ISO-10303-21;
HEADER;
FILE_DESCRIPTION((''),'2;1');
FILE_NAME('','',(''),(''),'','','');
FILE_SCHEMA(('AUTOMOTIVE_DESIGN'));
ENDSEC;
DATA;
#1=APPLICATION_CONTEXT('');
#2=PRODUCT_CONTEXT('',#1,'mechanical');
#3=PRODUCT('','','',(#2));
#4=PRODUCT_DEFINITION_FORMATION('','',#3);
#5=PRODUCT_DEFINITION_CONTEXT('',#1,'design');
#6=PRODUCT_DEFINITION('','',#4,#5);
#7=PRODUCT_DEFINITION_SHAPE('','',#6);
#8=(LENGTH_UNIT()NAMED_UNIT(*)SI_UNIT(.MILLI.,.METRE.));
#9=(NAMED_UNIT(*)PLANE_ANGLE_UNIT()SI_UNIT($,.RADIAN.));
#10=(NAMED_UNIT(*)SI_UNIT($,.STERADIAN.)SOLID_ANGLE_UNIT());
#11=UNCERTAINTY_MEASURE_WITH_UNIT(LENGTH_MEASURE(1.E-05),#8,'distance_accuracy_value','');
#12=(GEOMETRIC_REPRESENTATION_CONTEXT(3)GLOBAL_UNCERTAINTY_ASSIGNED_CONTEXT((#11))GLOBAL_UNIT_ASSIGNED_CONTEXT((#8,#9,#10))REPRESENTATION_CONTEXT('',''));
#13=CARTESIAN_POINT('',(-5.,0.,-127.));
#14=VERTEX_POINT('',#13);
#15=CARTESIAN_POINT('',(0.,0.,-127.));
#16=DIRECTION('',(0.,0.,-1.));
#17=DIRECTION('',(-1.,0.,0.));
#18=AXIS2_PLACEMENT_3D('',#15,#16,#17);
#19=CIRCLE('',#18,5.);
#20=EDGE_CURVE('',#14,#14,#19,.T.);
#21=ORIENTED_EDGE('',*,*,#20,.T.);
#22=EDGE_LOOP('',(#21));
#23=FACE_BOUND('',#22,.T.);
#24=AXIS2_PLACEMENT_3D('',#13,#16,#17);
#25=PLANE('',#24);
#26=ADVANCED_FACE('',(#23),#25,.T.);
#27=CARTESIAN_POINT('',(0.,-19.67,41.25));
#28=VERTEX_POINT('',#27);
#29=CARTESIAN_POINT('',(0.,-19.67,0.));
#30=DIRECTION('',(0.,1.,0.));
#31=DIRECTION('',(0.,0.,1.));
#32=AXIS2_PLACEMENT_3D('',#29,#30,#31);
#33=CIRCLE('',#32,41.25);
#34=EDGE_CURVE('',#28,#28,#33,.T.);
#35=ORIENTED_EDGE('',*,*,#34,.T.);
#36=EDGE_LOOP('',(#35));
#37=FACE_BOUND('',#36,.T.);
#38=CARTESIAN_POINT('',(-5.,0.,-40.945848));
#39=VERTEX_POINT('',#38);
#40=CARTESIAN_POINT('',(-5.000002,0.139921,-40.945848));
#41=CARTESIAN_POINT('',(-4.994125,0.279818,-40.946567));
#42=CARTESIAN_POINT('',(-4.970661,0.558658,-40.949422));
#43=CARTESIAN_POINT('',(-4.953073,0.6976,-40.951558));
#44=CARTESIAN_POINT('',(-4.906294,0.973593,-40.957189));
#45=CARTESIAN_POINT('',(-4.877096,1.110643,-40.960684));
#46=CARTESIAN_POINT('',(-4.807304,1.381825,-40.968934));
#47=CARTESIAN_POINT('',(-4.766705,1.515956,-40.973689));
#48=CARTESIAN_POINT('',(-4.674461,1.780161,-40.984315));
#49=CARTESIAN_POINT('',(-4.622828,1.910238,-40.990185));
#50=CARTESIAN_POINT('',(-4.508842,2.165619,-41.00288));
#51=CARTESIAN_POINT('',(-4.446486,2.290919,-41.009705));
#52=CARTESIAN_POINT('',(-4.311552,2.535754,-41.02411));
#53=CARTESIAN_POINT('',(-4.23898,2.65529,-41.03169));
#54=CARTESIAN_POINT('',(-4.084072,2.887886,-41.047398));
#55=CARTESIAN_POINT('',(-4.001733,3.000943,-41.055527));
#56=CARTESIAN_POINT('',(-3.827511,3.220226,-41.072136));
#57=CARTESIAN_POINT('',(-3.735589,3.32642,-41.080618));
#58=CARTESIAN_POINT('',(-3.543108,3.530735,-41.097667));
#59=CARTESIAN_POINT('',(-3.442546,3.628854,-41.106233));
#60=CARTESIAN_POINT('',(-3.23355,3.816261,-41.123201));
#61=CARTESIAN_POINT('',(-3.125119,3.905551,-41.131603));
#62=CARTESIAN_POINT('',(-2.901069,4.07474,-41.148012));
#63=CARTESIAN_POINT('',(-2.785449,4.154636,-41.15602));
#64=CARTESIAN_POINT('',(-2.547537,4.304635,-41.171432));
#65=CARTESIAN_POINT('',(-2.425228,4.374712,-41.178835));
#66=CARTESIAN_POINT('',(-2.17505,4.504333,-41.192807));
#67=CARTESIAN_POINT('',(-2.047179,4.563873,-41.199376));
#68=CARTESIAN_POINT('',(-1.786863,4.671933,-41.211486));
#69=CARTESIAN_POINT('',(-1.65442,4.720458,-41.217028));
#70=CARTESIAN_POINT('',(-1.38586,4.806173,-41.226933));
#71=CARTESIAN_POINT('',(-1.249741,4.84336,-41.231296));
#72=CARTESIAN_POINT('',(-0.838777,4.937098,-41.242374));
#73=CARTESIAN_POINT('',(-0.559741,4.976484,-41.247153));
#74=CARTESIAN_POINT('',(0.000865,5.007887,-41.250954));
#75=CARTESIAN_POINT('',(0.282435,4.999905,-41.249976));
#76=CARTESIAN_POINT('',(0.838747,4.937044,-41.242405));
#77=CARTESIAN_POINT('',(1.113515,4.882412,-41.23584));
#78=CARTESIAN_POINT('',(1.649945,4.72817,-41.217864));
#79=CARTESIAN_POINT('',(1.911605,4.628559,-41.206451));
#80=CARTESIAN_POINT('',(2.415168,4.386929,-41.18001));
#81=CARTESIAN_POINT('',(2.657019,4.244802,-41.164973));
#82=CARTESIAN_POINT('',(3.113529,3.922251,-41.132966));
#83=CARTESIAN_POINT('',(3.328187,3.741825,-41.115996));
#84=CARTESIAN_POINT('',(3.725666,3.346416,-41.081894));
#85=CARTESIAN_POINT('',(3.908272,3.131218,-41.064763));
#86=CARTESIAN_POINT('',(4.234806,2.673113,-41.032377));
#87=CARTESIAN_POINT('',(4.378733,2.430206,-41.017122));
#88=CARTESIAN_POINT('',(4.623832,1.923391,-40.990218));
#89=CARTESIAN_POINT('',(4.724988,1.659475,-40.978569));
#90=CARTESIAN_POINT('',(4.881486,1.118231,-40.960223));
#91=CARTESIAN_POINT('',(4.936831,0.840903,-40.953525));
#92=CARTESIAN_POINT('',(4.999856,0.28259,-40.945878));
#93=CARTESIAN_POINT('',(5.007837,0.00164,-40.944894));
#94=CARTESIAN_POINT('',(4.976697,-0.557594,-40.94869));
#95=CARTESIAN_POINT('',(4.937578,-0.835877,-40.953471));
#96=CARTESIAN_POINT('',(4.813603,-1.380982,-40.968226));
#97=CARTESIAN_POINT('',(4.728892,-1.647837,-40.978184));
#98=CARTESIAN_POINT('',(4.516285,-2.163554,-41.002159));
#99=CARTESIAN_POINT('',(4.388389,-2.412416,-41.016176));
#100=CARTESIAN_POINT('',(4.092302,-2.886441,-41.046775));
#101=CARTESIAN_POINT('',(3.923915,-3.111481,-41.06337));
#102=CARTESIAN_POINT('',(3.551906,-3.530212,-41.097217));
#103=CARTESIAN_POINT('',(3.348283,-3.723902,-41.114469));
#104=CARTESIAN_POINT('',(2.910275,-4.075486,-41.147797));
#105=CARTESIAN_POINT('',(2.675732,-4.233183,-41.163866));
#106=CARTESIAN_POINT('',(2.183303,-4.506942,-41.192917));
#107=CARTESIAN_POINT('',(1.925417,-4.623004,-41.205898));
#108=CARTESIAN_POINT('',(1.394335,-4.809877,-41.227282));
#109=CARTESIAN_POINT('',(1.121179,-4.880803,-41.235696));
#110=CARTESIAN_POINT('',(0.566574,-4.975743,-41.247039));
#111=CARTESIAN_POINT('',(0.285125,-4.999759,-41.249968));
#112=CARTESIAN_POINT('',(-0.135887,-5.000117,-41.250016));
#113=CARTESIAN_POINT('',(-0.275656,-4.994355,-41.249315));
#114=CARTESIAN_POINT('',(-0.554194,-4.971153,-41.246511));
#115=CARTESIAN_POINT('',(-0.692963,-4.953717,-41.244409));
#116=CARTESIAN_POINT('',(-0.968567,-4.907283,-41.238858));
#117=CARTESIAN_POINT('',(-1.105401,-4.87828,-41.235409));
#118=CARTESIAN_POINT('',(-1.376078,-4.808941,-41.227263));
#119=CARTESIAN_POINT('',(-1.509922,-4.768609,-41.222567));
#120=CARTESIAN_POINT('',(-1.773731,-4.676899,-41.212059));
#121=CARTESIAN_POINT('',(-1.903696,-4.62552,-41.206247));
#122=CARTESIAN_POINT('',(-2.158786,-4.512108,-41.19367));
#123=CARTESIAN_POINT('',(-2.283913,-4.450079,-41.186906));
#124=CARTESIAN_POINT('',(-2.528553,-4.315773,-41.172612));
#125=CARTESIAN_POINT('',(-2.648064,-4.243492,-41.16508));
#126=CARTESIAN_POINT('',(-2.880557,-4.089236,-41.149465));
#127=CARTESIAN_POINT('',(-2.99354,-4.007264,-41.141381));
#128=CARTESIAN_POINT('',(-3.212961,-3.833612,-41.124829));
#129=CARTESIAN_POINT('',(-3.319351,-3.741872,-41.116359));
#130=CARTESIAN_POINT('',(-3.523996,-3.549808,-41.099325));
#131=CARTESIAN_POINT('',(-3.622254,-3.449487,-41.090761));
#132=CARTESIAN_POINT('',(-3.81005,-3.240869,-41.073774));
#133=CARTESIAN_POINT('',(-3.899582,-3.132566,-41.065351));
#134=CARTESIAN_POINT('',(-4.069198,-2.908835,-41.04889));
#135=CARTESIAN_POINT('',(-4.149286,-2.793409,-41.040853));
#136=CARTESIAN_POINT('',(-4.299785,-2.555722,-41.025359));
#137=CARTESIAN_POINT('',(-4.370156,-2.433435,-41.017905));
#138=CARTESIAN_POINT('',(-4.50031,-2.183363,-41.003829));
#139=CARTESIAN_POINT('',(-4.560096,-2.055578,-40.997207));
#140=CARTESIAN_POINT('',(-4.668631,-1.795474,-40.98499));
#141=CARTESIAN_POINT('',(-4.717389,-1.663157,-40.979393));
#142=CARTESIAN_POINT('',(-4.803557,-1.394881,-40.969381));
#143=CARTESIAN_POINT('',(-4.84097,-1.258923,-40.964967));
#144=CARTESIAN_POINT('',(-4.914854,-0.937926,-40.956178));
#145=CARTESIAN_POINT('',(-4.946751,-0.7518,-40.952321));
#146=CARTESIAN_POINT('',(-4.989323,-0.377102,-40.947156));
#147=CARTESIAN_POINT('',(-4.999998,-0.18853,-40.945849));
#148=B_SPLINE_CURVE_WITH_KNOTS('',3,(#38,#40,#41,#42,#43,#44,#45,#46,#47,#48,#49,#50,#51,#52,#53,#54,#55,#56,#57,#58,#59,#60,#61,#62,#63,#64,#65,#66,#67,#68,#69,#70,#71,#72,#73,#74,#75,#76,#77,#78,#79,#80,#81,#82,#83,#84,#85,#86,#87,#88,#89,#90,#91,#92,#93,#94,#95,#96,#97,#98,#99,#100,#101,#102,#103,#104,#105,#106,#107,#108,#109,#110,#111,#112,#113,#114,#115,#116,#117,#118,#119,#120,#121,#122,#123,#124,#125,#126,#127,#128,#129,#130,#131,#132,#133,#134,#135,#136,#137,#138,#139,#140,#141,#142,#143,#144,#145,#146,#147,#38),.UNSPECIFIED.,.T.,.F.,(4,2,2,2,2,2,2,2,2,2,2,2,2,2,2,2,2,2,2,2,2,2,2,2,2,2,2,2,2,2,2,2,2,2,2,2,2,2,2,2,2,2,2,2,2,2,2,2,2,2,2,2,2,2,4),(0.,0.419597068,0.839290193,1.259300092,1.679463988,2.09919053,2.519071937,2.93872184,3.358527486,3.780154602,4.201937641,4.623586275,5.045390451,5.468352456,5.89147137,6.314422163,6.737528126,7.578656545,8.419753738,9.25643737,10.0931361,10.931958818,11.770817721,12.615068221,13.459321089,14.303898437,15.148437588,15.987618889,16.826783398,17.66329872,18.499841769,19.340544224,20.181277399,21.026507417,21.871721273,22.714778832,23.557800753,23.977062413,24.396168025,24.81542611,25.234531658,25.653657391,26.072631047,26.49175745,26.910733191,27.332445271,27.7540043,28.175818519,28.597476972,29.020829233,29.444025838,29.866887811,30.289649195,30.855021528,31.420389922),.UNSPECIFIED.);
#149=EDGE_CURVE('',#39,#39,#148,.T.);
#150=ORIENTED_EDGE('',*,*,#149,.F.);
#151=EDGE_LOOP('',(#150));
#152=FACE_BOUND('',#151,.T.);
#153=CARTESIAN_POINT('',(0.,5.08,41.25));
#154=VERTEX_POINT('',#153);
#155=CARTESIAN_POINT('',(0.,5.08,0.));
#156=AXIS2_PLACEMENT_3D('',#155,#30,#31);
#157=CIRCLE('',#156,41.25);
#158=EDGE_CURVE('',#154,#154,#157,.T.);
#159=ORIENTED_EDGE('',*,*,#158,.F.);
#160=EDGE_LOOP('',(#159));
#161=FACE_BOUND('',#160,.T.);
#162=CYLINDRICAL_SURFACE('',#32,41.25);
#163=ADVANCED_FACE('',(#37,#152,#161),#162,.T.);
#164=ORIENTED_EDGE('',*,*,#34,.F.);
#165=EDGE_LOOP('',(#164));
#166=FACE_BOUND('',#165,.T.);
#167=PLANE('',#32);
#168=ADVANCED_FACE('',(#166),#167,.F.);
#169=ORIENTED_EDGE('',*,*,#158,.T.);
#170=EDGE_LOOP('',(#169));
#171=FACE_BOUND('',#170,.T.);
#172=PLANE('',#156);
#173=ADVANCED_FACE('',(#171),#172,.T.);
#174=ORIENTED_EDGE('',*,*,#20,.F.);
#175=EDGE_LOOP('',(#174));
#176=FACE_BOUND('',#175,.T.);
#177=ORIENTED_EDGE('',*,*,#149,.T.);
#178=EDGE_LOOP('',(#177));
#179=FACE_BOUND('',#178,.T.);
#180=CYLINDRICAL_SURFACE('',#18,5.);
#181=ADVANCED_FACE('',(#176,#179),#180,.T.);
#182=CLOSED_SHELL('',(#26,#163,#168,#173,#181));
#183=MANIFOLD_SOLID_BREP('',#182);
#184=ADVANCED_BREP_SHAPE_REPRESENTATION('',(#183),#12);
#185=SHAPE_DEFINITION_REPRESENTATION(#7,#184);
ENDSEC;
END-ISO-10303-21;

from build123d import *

# Parameters (mm, degrees)
BOSS_EXTRUDE1_DEPTH      = 5.08
BOSS_EXTRUDE1_DEPTH_BACK = 19.67000003
SKETCH1_R                = 41.25
SKETCH2_W                = 5
SKETCH2_H                = 127


with BuildPart() as part:
    # Sketch1 → Boss-Extrude1 (new, two sides: drawn at the far end of the back side and taken through both)
    with BuildSketch(Plane(origin=(0, 0, 0), x_dir=(1, 0, 0), z_dir=(0, 1, 0)).offset(-BOSS_EXTRUDE1_DEPTH_BACK)):
        with Locations(Location((0, 0, 0), (0, 0, 270))):
            Circle(SKETCH1_R)
    extrude(amount=BOSS_EXTRUDE1_DEPTH + BOSS_EXTRUDE1_DEPTH_BACK)

    # Sketch2 → Revolve1 (revolve)
    with BuildSketch(Plane(origin=(0, 0, 0), x_dir=(1, 0, 0), z_dir=(0, 1, 0))):
        with Locations((-2.5, 63.5)):
            Rectangle(SKETCH2_W, SKETCH2_H)
    revolve(axis=Axis((0, 0, -127), (0, 0, 1)))


solid = part.part
